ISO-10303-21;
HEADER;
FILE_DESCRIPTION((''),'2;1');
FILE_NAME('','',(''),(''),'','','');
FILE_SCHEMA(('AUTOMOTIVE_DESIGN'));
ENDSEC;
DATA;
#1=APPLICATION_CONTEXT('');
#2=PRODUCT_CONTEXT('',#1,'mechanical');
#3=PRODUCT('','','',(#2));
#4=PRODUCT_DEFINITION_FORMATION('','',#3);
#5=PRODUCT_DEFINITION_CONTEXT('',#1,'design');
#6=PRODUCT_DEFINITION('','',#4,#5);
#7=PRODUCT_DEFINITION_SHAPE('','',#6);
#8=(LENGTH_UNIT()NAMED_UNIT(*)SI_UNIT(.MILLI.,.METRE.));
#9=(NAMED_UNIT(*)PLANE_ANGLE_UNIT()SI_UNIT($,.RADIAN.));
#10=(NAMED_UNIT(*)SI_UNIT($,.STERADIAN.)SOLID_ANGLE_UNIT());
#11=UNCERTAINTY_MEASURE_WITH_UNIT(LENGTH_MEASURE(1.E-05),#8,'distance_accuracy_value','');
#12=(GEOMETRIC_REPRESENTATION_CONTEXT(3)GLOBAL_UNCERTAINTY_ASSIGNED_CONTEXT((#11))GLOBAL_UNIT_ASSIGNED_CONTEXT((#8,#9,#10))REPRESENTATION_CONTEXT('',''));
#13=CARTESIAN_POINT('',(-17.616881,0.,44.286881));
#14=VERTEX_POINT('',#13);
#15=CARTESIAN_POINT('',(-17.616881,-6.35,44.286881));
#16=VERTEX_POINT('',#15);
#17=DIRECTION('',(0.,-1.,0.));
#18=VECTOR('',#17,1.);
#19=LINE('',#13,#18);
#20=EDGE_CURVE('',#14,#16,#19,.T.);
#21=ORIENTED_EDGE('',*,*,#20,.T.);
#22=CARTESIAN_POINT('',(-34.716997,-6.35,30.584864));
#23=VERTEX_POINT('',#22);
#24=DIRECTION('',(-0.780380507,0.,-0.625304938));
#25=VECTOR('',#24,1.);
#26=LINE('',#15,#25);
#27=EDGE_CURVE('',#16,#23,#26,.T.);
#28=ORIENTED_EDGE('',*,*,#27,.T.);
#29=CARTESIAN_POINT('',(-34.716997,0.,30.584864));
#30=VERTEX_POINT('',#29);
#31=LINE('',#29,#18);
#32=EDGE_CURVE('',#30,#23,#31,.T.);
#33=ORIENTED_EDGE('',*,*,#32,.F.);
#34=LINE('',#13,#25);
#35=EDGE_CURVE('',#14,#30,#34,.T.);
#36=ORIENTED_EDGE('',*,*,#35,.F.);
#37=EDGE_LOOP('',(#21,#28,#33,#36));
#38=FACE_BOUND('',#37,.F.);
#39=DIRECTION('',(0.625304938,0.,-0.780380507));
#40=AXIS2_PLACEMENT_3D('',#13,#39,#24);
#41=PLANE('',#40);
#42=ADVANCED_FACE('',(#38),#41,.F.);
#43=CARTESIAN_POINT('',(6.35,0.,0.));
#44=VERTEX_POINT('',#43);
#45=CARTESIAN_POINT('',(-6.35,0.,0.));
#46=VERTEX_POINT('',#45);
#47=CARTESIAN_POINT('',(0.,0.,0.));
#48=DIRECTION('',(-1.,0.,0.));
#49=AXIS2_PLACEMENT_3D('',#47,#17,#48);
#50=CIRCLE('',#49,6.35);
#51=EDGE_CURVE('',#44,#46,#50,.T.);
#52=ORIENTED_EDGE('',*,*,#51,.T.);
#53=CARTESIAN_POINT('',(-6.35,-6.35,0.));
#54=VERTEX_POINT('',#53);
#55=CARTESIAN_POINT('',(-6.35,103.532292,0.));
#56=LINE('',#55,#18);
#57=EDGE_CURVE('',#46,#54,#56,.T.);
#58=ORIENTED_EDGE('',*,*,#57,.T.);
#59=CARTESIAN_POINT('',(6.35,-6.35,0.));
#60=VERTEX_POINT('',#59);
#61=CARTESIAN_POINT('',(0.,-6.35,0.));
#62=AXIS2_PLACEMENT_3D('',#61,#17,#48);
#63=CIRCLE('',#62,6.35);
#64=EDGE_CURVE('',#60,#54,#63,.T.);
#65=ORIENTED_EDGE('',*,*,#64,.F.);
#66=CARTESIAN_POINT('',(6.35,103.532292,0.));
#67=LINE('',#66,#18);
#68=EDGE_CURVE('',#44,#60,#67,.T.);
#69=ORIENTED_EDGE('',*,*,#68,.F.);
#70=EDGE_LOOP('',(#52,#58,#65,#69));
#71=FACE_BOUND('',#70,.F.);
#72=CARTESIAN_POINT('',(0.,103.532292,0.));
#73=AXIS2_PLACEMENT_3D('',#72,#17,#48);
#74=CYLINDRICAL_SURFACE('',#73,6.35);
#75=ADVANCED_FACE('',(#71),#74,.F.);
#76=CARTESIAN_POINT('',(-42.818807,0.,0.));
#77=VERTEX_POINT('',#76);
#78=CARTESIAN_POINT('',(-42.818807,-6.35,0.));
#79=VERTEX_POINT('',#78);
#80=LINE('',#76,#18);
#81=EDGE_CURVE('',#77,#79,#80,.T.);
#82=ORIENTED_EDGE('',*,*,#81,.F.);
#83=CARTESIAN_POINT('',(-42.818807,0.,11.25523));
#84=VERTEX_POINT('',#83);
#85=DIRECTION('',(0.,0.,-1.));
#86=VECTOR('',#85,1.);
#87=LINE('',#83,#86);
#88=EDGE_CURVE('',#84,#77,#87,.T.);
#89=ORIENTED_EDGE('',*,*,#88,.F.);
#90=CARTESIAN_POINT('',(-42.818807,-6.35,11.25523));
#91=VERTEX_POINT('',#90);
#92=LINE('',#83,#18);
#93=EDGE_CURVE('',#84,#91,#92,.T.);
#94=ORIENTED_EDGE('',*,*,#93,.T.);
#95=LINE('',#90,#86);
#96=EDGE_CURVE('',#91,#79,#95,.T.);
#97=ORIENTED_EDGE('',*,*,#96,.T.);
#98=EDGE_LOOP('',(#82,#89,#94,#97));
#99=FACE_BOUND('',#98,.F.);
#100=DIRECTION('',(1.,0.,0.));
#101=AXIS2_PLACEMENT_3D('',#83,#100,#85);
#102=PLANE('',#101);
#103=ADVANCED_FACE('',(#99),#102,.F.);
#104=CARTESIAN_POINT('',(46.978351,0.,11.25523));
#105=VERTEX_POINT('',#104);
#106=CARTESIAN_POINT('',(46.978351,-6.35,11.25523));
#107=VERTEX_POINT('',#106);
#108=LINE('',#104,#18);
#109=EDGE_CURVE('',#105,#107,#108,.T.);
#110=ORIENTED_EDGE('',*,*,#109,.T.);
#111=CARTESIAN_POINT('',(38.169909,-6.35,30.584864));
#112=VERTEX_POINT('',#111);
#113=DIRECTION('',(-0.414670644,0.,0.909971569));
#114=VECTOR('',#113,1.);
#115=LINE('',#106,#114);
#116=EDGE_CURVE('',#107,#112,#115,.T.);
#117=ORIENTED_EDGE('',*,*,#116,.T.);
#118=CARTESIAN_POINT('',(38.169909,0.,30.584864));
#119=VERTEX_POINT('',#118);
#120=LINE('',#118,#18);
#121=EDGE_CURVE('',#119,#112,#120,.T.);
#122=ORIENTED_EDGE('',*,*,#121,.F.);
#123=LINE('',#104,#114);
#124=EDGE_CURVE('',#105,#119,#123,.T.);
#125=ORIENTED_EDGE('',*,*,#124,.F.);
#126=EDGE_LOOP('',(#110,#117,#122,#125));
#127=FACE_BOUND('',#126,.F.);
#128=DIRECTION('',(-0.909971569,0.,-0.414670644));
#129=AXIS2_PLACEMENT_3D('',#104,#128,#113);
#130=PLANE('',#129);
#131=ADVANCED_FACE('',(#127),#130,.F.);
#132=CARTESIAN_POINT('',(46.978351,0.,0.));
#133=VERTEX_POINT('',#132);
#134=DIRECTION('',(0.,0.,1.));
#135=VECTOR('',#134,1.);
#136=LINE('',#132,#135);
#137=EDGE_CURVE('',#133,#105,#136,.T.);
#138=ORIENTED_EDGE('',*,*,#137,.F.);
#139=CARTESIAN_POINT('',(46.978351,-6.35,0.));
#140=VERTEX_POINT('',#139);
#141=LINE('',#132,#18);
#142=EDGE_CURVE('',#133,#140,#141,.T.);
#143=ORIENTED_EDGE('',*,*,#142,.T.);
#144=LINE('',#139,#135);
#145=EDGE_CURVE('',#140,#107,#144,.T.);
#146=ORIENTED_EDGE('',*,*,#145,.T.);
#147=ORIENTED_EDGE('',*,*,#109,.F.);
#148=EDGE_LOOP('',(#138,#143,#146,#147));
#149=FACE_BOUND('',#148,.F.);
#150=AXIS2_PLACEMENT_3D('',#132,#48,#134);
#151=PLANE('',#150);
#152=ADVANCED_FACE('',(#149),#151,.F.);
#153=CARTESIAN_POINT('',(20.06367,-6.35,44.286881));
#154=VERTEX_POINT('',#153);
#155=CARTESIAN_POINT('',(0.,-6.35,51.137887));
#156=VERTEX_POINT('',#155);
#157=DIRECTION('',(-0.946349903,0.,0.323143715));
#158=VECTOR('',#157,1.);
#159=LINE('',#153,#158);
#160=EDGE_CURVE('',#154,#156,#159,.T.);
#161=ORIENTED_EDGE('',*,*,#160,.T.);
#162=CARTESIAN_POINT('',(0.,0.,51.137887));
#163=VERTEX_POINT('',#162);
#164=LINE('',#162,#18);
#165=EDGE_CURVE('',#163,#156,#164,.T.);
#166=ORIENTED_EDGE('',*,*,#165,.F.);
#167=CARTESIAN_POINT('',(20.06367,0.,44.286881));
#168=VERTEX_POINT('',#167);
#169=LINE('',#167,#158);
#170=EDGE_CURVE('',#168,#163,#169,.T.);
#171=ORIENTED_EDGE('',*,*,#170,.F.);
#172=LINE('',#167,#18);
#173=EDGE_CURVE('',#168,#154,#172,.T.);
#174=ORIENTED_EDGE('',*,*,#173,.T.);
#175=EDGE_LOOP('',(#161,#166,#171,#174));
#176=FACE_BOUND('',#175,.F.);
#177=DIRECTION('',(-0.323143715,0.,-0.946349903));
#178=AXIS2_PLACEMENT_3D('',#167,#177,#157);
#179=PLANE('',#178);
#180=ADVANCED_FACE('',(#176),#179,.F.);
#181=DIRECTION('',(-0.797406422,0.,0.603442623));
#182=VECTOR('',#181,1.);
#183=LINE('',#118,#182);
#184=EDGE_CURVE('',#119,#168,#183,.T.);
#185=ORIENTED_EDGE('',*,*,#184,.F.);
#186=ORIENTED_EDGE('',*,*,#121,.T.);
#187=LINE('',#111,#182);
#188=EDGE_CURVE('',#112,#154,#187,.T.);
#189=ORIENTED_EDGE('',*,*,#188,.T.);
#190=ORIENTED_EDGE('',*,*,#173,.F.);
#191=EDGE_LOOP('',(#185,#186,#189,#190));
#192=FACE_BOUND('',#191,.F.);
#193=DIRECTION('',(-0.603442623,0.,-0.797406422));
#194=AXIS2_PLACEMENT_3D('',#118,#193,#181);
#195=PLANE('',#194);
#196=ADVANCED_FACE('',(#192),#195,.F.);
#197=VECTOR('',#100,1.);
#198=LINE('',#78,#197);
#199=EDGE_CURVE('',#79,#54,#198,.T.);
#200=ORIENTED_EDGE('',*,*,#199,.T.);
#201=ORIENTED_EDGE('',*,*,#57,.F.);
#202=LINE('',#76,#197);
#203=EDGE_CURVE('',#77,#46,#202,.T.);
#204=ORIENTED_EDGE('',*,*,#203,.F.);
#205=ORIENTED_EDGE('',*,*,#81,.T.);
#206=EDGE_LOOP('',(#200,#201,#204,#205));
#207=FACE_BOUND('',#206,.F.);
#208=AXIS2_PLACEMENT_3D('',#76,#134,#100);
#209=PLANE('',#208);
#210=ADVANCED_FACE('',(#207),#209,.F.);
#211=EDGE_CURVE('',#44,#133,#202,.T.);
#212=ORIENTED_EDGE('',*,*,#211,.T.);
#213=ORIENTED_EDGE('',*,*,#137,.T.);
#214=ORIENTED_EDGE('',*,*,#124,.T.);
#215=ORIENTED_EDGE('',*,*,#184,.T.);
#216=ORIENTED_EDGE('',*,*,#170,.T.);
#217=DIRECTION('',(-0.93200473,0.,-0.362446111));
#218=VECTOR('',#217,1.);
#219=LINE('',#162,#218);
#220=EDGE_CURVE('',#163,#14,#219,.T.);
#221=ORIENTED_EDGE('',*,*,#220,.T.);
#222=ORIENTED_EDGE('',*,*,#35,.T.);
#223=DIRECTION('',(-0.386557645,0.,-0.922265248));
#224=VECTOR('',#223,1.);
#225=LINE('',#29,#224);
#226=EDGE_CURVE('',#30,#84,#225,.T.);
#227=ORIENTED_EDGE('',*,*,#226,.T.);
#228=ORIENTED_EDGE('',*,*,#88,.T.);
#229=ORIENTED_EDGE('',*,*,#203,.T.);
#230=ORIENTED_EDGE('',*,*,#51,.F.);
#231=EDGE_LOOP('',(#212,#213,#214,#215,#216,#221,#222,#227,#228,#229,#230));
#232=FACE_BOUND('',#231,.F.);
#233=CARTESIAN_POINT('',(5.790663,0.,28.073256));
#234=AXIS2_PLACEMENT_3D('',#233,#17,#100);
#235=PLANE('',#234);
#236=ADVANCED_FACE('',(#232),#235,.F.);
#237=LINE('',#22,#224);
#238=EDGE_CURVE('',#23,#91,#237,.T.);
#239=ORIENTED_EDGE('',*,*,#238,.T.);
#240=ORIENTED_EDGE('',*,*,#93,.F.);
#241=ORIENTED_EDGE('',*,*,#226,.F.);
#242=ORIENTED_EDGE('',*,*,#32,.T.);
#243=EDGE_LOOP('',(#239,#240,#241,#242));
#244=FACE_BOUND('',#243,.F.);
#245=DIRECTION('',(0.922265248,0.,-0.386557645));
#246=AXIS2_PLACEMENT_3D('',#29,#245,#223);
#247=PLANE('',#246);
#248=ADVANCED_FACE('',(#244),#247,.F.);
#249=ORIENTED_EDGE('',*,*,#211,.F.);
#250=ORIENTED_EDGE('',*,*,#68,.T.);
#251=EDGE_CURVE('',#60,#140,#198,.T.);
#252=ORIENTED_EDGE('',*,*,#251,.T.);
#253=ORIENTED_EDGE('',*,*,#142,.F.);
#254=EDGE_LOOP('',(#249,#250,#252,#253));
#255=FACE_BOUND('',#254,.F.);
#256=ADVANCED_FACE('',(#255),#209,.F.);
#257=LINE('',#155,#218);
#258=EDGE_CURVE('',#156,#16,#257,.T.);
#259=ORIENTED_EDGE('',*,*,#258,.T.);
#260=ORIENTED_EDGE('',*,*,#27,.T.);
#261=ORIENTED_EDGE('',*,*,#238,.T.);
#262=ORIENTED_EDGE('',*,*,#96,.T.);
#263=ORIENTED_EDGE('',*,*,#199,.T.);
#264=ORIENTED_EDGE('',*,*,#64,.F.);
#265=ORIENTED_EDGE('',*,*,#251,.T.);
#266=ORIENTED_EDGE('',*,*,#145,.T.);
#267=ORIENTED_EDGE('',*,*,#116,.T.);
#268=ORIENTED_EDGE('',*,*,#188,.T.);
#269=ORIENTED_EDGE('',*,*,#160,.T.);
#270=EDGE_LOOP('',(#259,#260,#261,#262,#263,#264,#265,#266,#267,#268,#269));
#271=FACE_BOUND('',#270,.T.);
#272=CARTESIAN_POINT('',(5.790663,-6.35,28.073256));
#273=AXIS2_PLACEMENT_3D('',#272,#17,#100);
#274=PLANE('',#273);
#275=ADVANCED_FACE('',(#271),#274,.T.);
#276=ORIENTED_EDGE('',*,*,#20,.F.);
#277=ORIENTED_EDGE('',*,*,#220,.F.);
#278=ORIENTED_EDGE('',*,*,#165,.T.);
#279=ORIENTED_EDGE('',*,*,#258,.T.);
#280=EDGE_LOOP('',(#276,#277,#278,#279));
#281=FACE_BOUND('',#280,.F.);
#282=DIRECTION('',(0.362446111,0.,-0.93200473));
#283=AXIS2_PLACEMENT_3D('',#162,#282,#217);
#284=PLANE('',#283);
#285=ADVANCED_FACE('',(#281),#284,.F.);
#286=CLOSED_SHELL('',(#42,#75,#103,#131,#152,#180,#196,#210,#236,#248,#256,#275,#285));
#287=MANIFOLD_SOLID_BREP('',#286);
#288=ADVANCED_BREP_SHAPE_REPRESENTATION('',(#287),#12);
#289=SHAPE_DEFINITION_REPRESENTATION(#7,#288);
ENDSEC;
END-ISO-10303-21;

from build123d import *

# Parameters (mm, degrees)
F1_DEPTH = 6.35
F3_D     = 12.7


with BuildPart() as f1:
    # F0 (on Front) → F1 (new body)
    with BuildSketch(Plane.XZ):
        Polygon((20.06367, 44.286881), (0, 51.137887), (0, 0), align=None)
        Polygon((0, 0), (0, 51.137887), (-17.616881, 44.286881), align=None)
        Polygon((20.06367, 44.286881), (0, 0), (38.169909, 30.584864), align=None)
        Polygon((38.169909, 30.584864), (0, 0), (46.978351, 11.25523), align=None)
        Polygon((46.978351, 11.25523), (0, 0), (46.978351, 0), align=None)
        Polygon((-34.716997, 30.584864), (0, 0), (-17.616881, 44.286881), align=None)
        Polygon((-42.818807, 11.25523), (0, 0), (-34.716997, 30.584864), align=None)
        Polygon((-42.818807, 0), (0, 0), (-42.818807, 11.25523), align=None)
    extrude(amount=F1_DEPTH)

    # F3 (through all)
    with Locations(Plane(origin=(0, 0, 0), x_dir=(1, 0, 0), z_dir=(0, 1, 0))):
        with Locations((0, 0)):
            Hole(F3_D / 2)


solid = f1.part
